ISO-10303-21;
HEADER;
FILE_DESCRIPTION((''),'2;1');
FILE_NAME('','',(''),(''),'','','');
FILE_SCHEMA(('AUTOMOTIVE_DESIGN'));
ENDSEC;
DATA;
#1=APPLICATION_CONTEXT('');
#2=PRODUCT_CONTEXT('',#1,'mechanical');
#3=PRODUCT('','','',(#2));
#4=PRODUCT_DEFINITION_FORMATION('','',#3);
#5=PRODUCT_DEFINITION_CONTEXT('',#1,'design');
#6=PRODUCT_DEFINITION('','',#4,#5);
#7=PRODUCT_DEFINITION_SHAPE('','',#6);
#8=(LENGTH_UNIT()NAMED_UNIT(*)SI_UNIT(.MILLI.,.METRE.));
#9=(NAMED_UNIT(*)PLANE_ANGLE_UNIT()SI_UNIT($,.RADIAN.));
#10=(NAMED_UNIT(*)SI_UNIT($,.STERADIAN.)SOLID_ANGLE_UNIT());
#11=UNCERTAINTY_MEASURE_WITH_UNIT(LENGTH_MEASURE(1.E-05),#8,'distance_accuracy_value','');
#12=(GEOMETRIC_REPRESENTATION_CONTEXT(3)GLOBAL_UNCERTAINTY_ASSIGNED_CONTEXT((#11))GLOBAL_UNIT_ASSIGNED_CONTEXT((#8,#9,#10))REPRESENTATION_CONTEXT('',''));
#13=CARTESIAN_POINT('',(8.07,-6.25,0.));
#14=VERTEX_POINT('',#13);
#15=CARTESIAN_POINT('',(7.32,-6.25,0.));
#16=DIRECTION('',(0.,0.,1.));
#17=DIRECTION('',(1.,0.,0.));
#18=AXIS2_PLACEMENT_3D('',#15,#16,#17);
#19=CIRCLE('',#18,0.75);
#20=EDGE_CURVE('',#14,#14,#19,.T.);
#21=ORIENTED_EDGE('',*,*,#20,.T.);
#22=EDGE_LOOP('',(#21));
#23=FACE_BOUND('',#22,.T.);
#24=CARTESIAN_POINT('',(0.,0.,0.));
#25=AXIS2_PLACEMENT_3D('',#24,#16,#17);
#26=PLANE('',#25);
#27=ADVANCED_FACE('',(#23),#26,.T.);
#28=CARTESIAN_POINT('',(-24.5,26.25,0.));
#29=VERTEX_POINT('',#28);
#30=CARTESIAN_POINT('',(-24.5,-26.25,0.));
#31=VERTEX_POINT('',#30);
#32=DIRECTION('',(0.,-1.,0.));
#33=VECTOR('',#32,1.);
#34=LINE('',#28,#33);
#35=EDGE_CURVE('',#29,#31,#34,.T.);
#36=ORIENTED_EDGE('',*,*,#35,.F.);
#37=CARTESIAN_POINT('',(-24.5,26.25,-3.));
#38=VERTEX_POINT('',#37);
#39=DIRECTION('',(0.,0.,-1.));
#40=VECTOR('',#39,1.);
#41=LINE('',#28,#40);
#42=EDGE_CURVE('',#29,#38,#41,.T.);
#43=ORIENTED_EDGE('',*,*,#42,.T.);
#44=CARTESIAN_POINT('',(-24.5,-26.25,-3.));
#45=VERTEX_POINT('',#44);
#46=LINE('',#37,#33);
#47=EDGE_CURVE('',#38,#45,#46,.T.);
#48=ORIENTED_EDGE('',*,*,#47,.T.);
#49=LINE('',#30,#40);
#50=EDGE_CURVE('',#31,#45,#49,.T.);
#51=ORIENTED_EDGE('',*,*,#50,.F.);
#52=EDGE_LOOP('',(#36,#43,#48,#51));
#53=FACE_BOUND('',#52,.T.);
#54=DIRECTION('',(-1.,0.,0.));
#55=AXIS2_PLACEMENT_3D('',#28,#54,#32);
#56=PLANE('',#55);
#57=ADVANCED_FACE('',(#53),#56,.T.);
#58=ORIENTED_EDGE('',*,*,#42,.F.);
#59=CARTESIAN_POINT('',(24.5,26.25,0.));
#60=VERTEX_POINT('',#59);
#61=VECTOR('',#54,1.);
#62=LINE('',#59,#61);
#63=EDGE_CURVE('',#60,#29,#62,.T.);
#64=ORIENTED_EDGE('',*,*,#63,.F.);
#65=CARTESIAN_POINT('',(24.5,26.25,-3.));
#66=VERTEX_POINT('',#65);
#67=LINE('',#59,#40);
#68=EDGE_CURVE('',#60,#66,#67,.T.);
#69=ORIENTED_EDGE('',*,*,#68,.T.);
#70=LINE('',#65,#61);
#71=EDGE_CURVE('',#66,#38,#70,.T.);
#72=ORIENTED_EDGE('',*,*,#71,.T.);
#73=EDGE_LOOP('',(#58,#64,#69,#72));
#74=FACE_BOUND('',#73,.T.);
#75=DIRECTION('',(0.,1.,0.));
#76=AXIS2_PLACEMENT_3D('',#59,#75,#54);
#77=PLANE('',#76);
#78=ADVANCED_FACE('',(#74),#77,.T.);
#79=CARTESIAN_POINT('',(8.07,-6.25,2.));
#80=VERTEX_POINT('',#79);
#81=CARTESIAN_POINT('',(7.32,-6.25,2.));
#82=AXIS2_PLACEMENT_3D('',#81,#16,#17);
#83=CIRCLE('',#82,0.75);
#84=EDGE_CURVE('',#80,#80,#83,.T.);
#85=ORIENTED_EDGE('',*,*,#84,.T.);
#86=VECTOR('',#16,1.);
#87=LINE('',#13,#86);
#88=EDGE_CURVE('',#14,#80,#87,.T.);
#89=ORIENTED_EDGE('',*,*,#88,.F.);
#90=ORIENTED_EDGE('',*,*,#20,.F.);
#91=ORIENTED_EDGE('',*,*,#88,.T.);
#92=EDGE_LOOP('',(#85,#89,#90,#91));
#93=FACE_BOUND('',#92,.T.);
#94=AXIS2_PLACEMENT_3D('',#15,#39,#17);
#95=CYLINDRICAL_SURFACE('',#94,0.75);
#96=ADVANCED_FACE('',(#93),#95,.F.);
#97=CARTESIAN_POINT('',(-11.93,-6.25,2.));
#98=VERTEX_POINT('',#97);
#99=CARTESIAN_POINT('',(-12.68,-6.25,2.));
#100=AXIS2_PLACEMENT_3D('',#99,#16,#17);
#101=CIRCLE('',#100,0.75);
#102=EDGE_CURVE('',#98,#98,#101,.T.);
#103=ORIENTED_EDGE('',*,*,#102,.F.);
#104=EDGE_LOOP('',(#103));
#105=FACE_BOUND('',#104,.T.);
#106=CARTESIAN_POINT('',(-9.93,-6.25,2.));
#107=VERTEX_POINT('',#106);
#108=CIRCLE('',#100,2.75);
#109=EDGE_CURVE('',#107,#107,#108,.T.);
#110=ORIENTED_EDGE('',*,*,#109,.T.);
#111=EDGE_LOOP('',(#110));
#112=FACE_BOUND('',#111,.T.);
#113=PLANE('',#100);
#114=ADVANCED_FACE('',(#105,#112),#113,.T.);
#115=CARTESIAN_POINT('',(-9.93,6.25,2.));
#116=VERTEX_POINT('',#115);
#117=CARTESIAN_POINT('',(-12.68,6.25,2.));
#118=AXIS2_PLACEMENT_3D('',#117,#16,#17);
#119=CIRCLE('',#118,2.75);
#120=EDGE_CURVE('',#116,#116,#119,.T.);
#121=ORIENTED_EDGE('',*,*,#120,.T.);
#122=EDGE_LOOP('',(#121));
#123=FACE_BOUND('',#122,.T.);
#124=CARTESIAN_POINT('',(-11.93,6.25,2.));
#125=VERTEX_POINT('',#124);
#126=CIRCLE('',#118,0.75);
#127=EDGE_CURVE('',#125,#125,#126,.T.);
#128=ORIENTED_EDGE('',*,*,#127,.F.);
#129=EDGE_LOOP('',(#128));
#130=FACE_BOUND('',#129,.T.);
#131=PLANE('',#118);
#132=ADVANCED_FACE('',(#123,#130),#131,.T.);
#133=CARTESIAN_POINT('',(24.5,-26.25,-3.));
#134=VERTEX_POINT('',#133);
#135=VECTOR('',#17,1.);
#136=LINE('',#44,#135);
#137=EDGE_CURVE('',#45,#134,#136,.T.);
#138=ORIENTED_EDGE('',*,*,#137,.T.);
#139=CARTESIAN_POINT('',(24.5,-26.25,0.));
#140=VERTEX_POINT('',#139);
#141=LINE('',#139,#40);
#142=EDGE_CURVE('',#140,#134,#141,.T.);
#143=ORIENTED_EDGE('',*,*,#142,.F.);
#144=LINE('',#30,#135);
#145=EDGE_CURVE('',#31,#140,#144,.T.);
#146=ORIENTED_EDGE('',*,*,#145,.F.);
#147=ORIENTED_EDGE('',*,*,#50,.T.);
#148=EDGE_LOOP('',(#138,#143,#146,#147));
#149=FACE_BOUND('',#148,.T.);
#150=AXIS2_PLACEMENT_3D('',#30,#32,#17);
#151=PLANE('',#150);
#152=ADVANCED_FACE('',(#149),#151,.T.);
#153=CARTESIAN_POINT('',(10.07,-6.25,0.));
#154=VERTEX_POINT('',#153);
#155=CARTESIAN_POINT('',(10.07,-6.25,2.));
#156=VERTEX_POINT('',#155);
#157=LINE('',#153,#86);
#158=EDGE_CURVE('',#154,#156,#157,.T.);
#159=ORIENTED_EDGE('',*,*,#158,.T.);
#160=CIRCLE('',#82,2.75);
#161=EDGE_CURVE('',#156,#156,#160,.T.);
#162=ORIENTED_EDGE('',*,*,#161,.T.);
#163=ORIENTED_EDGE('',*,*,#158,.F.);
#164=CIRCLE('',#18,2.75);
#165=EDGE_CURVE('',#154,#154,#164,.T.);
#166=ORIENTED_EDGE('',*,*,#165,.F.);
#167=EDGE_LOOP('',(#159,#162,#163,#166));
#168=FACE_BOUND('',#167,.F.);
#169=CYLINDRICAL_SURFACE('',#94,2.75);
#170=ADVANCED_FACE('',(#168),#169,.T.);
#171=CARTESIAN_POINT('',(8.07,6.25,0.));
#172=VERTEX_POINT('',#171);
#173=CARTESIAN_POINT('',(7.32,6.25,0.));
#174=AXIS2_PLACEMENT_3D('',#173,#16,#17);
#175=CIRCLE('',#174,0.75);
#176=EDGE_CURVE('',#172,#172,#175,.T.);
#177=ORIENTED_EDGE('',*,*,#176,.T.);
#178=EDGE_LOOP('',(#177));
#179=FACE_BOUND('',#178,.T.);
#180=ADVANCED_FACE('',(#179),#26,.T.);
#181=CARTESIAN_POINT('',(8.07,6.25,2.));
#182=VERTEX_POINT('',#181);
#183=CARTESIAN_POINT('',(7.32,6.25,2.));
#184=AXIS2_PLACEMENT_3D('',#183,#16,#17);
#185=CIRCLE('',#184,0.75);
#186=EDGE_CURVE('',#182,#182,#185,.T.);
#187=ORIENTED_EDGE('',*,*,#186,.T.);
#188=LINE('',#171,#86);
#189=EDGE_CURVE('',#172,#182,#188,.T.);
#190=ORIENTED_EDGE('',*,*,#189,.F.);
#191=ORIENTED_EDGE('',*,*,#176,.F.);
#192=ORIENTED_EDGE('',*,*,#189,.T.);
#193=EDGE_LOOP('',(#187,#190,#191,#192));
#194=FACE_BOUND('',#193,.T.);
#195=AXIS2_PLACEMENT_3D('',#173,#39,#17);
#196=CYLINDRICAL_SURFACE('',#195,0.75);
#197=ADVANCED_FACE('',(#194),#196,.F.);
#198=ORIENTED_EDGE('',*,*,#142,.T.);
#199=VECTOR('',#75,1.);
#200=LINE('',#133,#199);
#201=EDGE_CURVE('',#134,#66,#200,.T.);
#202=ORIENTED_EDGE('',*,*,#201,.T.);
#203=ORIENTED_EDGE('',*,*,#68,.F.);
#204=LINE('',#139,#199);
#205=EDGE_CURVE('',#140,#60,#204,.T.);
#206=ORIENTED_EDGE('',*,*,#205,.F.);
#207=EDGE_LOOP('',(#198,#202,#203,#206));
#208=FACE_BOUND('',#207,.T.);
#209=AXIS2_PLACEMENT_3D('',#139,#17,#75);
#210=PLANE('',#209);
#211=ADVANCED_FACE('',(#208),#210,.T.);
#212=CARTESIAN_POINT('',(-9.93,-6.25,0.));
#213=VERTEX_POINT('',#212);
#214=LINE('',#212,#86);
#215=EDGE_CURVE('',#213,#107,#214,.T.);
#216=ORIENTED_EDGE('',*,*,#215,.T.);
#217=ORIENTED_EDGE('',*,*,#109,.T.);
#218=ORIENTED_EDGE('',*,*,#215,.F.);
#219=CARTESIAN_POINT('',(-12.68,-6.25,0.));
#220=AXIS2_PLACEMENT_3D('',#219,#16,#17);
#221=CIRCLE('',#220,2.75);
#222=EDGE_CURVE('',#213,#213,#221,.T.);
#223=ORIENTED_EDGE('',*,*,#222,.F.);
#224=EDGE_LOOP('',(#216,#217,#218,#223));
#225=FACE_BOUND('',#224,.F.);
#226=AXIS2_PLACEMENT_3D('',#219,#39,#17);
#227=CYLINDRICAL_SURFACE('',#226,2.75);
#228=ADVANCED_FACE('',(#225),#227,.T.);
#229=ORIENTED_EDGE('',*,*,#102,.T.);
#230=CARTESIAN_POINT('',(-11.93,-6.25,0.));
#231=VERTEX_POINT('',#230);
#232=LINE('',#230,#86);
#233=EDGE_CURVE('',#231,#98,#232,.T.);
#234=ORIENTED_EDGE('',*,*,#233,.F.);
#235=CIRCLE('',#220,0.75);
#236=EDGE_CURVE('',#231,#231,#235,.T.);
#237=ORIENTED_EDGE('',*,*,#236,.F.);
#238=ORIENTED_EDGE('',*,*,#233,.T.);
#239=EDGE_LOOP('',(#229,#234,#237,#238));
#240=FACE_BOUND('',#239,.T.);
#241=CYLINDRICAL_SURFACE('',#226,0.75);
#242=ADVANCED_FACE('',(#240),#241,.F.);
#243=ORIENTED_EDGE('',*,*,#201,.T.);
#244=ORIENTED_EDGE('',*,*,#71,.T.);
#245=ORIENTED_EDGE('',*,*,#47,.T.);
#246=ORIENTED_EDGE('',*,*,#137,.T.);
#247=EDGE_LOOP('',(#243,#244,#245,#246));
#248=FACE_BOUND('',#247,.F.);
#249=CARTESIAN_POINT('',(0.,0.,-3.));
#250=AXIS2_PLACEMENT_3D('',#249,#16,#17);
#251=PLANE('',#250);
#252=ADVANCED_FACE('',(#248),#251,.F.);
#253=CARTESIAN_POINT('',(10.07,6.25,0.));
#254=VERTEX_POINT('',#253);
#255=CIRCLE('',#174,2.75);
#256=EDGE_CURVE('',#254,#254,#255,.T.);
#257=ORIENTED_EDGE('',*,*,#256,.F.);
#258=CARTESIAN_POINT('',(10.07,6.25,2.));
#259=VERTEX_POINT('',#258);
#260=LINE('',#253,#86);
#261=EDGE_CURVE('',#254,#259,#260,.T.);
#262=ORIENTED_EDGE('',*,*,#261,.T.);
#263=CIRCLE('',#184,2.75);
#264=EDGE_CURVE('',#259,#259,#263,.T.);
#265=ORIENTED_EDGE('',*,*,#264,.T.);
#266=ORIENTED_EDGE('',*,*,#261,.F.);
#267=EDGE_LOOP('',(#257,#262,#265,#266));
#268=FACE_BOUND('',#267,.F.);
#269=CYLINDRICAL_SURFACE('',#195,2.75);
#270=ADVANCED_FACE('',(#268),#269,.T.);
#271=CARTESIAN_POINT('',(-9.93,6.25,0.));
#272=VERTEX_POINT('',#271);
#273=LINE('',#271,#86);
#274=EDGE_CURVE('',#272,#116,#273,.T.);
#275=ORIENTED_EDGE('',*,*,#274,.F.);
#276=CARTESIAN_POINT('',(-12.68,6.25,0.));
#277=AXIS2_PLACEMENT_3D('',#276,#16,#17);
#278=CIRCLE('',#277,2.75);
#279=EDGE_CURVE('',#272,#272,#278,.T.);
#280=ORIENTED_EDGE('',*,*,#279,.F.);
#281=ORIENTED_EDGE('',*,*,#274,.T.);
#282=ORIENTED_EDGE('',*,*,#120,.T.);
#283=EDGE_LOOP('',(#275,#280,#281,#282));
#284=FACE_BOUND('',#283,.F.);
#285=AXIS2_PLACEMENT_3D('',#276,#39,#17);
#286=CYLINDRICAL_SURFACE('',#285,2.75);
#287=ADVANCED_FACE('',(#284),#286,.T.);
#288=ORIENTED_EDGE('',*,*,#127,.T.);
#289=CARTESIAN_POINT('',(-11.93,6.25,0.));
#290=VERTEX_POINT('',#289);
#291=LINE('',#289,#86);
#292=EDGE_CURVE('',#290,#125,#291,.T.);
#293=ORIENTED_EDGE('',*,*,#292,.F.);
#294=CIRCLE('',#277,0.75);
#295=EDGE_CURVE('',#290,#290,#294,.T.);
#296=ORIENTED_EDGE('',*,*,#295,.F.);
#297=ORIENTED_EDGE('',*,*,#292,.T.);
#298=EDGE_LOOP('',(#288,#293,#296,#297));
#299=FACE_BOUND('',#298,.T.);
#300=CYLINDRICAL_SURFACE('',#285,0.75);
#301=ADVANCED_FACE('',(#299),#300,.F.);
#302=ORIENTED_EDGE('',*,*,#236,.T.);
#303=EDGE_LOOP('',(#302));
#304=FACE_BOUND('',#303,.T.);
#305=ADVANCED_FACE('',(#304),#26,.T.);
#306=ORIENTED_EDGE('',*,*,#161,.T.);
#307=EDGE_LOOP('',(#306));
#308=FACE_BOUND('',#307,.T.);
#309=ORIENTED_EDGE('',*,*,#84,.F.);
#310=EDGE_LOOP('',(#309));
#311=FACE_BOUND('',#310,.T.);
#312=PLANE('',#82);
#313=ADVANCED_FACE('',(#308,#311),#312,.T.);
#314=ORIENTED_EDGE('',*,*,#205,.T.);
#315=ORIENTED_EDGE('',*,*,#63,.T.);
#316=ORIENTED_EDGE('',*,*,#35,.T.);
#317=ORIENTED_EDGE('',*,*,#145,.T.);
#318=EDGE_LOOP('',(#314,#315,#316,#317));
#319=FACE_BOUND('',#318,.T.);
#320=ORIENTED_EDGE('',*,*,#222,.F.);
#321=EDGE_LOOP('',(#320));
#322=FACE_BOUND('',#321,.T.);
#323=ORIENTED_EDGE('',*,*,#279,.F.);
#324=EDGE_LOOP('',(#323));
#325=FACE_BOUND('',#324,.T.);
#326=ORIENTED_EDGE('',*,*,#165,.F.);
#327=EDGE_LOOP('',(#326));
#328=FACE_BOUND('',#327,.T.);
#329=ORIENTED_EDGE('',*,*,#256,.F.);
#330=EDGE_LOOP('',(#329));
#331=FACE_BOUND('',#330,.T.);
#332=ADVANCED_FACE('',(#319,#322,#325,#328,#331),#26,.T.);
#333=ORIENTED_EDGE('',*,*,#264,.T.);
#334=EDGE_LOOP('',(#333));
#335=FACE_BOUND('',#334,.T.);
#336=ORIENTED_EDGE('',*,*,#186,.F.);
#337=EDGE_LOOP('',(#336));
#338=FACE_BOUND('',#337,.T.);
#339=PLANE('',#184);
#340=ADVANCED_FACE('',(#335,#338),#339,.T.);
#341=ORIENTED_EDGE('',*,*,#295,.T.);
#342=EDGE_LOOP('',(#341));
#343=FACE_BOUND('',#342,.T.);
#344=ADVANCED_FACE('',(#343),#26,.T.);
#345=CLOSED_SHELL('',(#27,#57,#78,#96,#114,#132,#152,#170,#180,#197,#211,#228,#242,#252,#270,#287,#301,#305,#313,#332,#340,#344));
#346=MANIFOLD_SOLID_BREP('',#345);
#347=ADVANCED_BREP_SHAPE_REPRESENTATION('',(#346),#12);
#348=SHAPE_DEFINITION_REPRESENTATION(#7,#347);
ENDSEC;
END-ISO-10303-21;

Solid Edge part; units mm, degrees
sketch "Sketch1" plane through (0, 0, 0) normal (0, 0, 1) x (1, 0, 0)
  line L0 (24.5, 26.25) -> (-24.5, 26.25)
  line L1 (-24.5, 26.25) -> (-24.5, -26.25)
  line L2 (-24.5, -26.25) -> (24.5, -26.25)
  line L3 (24.5, -26.25) -> (24.5, 26.25)
extrude "Protrusion1" add sketch "Sketch1" against normal blind 3
sketch "Sketch2" plane through (0, 0, 0) normal (0, 0, 1) x (1, 0, 0)
  circle A0 centre (-12.68, 6.25) radius 2.75
  circle A1 centre (-12.68, 6.25) radius 0.75
  circle A2 centre (7.32, 6.25) radius 0.75
  circle A3 centre (7.32, 6.25) radius 2.75
  circle A4 centre (7.32, -6.25) radius 2.75
  circle A5 centre (7.32, -6.25) radius 0.75
  circle A6 centre (-12.68, -6.25) radius 2.75
  circle A7 centre (-12.68, -6.25) radius 0.75
  dimension "D1" = 20
  dimension "D2" = 12.5
  dimension "D3" = 1.5
  dimension "D4" = 11.82
  dimension "D5" = 2
  dimension "D6" = 2
  dimension "D7" = 2
  dimension "D8" = 2
extrude "ExtrudedProtrusion_2" add sketch "Sketch2" along normal blind 2
properties material "Graphite"
